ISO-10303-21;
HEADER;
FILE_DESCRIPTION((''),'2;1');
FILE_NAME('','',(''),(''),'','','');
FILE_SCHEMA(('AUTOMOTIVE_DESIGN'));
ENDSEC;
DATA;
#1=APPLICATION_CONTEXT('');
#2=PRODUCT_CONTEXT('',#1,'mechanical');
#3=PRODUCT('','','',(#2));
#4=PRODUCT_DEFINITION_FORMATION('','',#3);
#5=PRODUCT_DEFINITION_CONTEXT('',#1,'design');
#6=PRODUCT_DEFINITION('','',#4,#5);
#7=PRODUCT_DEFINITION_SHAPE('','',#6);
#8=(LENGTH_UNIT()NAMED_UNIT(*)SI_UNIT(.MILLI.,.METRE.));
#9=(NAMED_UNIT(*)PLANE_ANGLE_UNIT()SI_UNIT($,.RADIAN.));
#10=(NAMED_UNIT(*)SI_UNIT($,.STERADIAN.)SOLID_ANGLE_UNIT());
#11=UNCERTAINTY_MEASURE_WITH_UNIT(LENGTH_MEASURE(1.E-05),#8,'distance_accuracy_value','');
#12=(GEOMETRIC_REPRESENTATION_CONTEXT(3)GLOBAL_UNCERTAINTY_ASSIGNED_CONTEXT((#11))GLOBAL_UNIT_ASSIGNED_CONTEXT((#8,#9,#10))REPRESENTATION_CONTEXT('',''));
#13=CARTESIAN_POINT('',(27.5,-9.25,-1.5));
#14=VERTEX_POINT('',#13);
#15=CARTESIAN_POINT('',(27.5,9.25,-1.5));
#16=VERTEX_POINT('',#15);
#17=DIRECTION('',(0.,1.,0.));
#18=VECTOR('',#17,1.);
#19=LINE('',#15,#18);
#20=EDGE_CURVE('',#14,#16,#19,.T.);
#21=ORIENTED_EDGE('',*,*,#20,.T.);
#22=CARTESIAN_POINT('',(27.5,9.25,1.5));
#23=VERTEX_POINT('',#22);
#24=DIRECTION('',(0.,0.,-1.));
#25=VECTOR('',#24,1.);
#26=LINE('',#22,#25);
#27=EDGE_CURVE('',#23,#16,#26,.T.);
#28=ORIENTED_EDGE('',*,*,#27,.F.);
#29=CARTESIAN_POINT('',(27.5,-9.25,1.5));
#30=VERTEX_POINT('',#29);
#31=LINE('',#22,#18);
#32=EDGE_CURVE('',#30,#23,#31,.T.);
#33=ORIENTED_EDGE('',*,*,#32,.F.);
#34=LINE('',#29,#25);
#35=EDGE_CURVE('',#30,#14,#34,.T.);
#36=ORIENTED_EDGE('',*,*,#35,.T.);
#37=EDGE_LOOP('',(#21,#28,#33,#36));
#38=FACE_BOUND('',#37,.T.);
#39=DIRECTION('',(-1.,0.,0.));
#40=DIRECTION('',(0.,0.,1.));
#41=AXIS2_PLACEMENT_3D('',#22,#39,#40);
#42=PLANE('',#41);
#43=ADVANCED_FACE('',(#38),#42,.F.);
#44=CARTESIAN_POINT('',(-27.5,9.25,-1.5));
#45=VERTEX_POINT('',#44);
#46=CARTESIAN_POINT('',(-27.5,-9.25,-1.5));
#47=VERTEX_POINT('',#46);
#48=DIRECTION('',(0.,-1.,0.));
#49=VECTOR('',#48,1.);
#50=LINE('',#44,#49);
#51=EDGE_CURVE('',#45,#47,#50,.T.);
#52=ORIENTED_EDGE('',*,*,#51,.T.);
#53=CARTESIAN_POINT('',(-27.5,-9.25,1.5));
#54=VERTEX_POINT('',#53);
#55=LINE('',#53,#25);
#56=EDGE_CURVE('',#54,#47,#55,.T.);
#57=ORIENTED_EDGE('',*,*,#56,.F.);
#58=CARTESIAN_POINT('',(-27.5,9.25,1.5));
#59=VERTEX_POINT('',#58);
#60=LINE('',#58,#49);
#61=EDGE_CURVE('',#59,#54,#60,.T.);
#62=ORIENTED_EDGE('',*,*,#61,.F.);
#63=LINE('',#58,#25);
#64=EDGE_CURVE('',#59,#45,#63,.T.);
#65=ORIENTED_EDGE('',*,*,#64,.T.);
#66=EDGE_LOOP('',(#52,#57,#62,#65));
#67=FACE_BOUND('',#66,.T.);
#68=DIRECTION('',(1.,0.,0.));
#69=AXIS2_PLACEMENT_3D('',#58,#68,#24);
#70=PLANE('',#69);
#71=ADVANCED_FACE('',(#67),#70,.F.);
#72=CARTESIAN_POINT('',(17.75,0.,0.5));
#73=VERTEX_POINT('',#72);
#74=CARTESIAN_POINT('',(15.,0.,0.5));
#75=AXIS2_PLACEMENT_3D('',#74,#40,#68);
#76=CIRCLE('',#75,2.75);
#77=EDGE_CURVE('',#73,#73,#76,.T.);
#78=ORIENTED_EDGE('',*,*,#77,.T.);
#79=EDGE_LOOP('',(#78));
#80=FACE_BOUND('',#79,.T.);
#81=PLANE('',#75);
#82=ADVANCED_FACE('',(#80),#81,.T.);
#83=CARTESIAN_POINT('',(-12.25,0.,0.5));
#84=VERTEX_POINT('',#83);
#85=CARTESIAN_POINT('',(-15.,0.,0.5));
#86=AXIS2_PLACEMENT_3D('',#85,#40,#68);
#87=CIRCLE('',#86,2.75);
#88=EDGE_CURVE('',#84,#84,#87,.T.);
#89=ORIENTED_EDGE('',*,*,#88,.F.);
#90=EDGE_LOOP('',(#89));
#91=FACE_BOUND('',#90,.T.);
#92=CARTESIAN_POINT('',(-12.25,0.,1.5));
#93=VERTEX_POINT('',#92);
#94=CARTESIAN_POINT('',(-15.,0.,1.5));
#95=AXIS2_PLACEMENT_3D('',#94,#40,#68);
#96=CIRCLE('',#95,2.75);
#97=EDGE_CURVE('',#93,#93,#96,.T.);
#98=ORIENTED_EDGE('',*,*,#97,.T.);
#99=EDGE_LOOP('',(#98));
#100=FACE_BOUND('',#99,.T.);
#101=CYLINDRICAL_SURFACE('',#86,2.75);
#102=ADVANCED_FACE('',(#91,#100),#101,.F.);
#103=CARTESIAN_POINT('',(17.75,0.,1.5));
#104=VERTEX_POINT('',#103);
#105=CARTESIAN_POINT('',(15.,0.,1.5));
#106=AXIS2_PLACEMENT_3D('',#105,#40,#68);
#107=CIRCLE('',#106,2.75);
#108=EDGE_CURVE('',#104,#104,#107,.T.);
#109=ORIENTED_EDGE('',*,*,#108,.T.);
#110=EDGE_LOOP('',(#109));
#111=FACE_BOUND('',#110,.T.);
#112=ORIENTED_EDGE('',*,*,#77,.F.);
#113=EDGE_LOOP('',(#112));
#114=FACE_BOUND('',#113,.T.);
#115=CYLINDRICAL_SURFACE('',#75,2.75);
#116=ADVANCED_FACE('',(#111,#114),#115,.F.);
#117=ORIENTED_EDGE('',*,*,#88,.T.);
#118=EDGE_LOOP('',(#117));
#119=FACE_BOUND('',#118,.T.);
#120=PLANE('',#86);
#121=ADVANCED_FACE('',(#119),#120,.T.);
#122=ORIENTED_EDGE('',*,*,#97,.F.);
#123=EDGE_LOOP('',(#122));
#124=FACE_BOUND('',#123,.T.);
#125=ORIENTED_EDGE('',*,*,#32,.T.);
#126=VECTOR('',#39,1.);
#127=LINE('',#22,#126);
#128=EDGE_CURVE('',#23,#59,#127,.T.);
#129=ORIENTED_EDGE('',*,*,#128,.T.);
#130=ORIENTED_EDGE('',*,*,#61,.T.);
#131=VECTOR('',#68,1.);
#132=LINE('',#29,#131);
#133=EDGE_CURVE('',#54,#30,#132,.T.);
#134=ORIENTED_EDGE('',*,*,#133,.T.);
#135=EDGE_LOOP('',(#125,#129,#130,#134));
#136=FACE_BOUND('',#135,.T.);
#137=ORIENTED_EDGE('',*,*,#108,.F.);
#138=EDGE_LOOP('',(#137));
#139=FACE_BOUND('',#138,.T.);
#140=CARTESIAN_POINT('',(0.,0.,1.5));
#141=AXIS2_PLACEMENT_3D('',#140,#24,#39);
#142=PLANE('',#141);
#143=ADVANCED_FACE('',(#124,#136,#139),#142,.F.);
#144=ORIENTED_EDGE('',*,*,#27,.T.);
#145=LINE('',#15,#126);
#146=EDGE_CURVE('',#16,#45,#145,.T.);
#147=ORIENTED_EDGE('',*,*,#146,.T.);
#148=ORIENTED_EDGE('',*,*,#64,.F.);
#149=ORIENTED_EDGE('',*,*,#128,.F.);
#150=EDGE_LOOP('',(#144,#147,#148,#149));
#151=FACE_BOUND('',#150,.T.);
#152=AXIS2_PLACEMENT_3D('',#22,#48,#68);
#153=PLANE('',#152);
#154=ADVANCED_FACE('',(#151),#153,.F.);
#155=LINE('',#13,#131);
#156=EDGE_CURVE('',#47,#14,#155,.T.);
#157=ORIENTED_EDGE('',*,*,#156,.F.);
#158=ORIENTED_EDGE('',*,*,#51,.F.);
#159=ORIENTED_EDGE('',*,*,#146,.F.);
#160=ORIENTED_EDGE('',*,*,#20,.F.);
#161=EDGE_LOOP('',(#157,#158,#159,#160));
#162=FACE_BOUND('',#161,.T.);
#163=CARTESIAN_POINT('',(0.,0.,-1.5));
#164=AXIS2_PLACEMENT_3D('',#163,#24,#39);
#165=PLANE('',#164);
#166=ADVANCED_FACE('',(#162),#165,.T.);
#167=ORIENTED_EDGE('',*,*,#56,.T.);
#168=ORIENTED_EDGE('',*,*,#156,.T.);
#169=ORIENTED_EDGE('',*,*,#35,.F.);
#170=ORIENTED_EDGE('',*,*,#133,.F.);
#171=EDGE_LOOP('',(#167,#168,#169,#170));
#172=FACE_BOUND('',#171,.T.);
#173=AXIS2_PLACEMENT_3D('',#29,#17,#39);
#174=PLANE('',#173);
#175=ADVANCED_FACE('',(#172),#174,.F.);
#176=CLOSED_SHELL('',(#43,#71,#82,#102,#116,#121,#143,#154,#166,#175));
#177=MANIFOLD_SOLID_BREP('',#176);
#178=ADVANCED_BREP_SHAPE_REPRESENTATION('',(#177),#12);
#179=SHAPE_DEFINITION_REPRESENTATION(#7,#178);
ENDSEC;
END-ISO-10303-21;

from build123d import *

# Parameters (mm, degrees)
SKETCH1_W           = 55
SKETCH1_H           = 18.5
BOSS_EXTRUDE1_DEPTH = 1.5
SKETCH2_R           = 2.75
CUT_EXTRUDE1_DEPTH  = 1


with BuildPart() as part:
    # Sketch1 → Boss-Extrude1 (new, symmetric)
    with BuildSketch(Plane.XY):
        Rectangle(SKETCH1_W, SKETCH1_H)
    extrude(amount=BOSS_EXTRUDE1_DEPTH, both=True)

    # Sketch2 → Cut-Extrude1 (cut)
    with BuildSketch(Plane.XY.offset(1.5)):
        with Locations((-15, 0)):
            Circle(SKETCH2_R)
        with Locations((15, 0)):
            Circle(SKETCH2_R)
    extrude(amount=-CUT_EXTRUDE1_DEPTH, mode=Mode.SUBTRACT)


solid = part.part
